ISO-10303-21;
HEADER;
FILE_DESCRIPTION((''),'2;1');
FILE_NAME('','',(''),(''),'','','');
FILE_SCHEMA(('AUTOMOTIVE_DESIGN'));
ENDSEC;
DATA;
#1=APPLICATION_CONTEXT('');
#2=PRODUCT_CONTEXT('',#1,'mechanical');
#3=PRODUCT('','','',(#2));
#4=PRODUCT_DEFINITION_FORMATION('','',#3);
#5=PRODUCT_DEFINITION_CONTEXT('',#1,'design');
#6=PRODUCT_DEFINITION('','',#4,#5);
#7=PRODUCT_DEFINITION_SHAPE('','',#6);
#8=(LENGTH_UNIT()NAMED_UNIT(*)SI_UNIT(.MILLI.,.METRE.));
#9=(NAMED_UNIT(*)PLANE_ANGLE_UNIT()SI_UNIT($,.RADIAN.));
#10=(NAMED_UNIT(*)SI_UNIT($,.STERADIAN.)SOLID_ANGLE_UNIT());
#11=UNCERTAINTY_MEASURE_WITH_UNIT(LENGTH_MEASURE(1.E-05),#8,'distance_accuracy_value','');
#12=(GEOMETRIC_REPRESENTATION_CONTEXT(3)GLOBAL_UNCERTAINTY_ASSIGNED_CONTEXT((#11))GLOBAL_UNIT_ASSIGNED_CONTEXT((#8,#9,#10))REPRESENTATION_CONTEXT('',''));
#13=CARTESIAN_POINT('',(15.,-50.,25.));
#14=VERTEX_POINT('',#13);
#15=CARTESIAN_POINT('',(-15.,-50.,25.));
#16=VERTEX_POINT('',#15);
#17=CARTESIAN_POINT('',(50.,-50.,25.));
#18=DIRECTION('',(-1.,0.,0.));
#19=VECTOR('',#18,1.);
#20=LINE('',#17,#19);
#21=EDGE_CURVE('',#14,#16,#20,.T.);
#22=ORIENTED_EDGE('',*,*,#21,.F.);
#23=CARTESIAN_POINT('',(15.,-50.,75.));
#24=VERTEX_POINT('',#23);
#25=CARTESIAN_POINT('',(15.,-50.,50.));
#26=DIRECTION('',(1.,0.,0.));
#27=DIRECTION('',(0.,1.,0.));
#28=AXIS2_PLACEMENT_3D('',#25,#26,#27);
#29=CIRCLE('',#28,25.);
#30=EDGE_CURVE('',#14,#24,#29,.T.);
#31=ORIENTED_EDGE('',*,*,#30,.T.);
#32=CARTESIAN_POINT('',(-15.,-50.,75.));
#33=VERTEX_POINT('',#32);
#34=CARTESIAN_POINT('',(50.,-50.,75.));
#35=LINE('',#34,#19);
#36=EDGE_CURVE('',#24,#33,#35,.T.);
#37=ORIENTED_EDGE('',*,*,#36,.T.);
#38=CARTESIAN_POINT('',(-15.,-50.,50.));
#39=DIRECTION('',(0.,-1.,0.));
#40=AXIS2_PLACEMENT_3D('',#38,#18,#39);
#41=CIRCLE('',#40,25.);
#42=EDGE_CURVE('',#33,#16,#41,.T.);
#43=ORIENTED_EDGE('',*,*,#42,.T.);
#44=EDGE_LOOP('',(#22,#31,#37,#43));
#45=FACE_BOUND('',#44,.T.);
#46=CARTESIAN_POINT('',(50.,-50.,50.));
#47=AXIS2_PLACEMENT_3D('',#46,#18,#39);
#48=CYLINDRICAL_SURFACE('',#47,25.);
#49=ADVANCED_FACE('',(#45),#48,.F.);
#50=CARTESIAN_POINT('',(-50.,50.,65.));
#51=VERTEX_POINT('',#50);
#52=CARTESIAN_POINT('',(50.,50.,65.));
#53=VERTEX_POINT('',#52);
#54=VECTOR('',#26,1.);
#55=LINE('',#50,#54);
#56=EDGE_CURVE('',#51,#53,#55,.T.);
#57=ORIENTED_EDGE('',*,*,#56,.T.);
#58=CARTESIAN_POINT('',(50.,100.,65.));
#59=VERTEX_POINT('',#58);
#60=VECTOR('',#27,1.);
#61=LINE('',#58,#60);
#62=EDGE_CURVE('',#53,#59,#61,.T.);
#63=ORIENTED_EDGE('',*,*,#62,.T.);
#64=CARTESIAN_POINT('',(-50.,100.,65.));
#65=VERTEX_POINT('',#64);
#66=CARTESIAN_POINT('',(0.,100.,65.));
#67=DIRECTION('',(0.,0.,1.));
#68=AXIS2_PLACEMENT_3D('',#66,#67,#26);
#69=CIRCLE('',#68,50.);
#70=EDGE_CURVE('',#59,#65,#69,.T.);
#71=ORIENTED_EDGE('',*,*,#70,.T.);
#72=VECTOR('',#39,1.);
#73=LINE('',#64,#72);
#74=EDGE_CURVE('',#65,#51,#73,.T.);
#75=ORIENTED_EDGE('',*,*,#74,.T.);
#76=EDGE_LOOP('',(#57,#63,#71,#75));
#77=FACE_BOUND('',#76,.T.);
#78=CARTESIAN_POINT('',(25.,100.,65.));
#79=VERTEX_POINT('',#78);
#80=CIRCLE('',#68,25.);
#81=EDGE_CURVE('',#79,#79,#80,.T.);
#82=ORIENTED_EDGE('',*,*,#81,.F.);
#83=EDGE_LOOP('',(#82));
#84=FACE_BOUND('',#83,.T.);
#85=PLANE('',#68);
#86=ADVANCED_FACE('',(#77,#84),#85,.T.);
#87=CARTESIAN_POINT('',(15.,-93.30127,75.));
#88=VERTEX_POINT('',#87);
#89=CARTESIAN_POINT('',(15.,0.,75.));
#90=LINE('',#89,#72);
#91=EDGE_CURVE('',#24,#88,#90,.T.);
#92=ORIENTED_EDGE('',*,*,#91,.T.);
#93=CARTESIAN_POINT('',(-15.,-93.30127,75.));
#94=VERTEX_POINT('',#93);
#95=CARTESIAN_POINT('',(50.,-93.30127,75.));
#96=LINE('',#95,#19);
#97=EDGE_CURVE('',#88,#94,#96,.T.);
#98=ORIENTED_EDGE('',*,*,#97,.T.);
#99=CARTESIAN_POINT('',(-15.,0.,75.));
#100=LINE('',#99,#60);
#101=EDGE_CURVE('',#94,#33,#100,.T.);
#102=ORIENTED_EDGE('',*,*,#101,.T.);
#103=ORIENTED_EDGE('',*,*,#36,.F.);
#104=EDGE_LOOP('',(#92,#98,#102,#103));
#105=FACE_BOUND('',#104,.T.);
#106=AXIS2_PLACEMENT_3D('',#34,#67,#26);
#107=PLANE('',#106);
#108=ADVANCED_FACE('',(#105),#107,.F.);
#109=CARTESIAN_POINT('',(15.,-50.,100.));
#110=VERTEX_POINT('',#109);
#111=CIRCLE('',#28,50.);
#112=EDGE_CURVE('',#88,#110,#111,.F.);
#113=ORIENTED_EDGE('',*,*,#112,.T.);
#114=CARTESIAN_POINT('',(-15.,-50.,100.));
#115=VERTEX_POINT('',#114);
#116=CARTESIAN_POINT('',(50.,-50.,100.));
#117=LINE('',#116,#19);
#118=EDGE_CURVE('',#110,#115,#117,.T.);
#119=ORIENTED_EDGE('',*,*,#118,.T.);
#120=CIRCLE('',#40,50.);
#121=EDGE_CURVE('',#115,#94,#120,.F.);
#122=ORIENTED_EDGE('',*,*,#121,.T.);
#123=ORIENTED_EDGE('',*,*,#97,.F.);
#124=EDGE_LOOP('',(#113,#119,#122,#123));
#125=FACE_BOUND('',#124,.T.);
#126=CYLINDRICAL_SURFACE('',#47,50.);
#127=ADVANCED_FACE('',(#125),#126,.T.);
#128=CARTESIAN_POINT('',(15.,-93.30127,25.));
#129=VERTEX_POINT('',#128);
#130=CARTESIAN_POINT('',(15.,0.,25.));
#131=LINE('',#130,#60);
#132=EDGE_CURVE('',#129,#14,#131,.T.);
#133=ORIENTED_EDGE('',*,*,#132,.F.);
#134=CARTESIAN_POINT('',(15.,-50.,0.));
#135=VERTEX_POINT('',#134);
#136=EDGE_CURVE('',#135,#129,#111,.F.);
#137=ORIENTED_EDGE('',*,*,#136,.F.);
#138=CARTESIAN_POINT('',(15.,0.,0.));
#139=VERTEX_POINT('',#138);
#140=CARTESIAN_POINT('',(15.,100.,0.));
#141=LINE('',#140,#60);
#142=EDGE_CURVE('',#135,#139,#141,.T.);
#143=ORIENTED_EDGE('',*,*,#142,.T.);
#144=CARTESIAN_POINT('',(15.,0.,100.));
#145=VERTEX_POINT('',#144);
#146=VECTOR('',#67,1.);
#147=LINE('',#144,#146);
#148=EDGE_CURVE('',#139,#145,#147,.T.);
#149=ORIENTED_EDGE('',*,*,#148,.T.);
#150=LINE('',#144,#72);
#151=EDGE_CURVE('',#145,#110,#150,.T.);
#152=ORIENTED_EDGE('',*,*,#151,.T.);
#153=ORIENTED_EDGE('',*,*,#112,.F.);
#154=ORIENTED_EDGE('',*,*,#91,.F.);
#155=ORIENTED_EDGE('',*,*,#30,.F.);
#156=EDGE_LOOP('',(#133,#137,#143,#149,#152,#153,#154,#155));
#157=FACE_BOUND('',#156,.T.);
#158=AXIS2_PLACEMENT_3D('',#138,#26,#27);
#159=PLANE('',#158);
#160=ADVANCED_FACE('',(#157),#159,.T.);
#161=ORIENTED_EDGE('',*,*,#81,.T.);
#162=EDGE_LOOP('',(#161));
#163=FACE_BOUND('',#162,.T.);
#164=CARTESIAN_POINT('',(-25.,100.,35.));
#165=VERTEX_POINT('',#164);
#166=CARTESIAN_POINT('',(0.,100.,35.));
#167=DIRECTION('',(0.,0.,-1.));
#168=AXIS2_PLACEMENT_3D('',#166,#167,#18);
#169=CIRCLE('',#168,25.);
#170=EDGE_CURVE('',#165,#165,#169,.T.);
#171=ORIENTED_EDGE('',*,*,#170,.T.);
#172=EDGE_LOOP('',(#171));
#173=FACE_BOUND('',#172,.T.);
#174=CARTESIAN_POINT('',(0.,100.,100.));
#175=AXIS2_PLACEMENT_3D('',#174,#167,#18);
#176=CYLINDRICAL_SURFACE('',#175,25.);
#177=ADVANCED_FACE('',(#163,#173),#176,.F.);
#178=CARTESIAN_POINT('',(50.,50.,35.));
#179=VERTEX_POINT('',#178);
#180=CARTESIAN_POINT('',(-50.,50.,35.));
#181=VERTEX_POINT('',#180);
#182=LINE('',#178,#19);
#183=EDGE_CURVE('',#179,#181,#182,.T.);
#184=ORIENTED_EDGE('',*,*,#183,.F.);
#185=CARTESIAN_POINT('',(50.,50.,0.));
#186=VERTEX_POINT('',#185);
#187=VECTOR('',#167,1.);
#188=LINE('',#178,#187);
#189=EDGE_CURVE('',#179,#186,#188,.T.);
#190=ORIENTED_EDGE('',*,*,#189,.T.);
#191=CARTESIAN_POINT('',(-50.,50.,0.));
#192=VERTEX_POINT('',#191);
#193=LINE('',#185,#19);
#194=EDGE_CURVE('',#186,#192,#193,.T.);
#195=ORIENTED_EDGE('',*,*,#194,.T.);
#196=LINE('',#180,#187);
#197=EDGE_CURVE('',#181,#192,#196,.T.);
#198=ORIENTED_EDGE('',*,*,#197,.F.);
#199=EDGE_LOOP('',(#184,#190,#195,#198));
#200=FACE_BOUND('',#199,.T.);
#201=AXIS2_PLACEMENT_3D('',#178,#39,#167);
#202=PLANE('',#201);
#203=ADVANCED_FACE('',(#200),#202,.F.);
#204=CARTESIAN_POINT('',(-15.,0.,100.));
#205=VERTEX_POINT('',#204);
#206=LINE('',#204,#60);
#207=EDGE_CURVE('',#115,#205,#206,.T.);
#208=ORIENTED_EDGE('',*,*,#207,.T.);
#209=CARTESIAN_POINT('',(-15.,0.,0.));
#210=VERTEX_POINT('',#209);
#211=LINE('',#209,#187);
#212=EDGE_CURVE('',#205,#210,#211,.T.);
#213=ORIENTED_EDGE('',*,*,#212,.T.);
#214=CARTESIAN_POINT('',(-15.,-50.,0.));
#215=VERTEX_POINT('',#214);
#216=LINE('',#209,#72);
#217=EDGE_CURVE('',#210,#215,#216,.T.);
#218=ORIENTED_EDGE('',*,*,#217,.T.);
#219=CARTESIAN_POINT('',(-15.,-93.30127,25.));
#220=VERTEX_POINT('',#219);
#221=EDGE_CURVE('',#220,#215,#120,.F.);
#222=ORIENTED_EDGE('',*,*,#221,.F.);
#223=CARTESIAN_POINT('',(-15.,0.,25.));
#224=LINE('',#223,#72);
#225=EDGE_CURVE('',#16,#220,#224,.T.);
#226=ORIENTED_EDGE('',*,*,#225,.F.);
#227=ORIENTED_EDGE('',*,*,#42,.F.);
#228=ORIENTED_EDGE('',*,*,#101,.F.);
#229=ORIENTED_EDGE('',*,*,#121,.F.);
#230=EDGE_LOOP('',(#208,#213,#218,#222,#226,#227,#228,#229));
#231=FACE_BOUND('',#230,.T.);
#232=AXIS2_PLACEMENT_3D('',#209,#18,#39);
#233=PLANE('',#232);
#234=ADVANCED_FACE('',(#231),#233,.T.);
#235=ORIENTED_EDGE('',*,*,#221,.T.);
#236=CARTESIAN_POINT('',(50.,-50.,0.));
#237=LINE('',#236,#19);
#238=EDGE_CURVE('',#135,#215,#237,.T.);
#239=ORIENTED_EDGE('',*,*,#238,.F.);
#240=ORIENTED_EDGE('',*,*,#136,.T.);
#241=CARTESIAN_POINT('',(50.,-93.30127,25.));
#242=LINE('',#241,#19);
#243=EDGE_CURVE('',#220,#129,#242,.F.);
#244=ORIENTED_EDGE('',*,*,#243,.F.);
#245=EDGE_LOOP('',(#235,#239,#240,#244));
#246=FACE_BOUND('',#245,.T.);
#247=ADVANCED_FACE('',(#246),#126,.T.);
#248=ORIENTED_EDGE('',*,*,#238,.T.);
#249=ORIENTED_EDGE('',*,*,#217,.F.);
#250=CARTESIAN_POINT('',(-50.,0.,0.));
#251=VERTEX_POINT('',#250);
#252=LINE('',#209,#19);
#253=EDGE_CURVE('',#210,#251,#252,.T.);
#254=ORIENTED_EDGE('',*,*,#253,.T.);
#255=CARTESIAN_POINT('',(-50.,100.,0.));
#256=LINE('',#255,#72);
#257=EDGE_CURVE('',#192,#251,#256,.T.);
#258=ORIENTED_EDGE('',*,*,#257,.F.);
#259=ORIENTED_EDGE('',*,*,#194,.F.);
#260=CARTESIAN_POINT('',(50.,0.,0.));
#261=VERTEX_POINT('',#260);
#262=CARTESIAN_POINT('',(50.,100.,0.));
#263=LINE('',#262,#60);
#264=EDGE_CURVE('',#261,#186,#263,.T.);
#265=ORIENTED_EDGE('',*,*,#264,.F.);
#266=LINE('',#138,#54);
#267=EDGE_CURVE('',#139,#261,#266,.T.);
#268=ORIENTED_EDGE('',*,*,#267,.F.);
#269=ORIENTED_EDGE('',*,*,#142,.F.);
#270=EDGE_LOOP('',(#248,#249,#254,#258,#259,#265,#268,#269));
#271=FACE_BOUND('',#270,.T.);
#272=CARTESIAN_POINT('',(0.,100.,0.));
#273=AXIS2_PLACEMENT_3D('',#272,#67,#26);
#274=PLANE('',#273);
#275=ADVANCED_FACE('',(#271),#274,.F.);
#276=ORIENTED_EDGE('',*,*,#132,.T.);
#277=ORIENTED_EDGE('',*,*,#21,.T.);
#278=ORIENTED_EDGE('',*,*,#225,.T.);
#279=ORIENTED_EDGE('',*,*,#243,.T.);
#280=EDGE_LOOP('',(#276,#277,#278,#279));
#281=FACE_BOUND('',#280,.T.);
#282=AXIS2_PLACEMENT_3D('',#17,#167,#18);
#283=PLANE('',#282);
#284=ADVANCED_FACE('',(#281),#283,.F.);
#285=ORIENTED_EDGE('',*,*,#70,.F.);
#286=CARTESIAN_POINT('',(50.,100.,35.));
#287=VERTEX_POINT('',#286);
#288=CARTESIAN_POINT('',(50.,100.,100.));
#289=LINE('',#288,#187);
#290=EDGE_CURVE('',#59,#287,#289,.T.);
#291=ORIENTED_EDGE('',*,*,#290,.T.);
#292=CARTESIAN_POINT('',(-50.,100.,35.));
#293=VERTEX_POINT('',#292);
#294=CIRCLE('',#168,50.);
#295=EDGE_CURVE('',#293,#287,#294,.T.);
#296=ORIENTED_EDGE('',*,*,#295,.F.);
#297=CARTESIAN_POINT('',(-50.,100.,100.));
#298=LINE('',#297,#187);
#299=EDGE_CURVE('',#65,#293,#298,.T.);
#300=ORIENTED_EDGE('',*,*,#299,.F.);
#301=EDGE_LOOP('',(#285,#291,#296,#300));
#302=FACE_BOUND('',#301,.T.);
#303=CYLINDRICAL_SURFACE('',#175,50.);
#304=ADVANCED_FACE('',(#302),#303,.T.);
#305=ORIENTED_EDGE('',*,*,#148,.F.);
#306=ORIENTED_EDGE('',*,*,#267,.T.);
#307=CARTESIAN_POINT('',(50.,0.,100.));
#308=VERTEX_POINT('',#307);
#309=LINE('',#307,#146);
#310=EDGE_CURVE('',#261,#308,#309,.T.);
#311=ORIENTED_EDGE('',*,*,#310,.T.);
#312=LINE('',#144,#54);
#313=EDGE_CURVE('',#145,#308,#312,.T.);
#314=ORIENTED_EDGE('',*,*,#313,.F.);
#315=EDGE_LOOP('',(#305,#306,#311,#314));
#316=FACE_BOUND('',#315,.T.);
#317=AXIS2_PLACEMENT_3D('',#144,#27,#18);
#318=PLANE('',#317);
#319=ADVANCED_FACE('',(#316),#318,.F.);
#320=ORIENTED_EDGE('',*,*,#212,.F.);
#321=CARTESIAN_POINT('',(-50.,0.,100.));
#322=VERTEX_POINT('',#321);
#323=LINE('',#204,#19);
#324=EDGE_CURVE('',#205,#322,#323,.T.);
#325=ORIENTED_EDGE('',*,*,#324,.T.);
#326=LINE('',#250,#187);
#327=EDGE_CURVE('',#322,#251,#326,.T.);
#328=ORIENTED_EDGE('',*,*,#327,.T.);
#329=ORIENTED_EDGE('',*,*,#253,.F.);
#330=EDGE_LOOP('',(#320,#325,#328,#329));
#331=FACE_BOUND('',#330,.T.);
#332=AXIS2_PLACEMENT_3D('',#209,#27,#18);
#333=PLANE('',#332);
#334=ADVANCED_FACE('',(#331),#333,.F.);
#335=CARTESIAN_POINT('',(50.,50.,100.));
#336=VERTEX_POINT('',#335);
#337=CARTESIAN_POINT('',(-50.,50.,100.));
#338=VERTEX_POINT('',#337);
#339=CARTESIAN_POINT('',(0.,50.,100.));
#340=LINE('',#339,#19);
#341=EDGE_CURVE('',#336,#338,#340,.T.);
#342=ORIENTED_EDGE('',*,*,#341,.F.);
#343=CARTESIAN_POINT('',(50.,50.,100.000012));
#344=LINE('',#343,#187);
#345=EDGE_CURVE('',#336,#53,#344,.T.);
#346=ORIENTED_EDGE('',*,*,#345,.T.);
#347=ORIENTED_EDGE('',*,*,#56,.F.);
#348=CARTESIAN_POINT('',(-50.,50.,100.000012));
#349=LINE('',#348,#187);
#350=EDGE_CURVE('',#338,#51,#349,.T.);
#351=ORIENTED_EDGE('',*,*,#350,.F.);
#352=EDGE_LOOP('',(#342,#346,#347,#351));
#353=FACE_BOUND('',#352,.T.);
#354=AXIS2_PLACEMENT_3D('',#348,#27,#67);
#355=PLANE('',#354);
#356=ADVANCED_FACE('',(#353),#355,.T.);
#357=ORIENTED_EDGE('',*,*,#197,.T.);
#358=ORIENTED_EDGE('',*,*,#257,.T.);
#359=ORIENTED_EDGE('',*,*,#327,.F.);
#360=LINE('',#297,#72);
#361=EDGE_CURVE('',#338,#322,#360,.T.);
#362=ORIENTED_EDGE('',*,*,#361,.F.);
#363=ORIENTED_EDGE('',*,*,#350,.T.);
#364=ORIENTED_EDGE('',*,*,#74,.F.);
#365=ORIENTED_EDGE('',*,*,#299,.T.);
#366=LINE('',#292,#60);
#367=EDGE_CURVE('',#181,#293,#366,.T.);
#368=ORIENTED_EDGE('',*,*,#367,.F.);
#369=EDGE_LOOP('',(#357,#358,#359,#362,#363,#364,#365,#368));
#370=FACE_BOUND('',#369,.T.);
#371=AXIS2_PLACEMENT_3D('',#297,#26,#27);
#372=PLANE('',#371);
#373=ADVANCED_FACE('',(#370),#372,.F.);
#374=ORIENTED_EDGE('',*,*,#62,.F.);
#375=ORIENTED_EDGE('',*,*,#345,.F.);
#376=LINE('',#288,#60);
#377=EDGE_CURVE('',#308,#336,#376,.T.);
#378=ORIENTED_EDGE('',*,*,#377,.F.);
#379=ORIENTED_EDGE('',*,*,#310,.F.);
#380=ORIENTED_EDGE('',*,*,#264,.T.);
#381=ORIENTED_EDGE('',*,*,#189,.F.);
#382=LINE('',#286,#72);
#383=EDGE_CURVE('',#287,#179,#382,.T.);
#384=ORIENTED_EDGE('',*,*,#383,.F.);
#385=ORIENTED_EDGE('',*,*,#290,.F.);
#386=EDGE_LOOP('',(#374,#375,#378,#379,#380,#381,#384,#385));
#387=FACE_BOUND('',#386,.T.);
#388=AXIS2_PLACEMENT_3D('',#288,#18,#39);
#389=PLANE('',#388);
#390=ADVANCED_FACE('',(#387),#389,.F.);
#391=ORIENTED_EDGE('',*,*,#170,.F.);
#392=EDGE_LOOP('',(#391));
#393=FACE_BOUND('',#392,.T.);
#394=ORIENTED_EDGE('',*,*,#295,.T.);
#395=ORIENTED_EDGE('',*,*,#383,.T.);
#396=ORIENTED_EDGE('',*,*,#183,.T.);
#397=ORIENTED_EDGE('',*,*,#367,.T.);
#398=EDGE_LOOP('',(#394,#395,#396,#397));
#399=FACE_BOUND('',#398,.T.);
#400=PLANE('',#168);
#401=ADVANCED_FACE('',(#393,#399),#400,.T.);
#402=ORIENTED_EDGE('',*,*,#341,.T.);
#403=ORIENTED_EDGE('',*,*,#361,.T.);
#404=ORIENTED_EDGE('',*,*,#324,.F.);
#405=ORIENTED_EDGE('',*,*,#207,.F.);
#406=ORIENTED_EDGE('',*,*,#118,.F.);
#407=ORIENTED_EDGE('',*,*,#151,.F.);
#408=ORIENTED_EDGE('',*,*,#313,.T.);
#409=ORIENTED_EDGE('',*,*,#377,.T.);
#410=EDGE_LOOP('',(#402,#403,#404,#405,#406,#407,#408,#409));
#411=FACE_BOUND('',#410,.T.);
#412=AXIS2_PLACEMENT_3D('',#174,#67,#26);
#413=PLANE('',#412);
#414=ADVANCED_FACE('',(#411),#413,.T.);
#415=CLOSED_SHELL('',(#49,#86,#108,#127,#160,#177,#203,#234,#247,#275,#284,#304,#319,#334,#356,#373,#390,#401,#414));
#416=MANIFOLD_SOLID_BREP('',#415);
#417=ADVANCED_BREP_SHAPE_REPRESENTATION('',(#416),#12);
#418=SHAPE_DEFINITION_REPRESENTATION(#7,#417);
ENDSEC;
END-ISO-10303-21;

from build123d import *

# Parameters (mm, degrees)
SALIENTE_EXTRUIR1_DEPTH     = 100
CORTAR_EXTRUIR4_DEPTH       = 1
CORTAR_EXTRUIR4_DEPTH_BACK  = 35
CORTAR_EXTRUIR5_DEPTH       = 35
CROQUIS10_R                 = 25
CORTAR_EXTRUIR6_DEPTH       = 36
CORTAR_EXTRUIR6_DEPTH_BACK  = 66
CROQUIS12_W                 = 100
CROQUIS12_H                 = 100
CORTAR_EXTRUIR10_DEPTH      = 1
CORTAR_EXTRUIR10_DEPTH_BACK = 101
SALIENTE_EXTRUIR3_DEPTH     = 100
CROQUIS22_W                 = 100
CROQUIS22_H                 = 100
CORTAR_EXTRUIR12_DEPTH      = 35
CROQUIS23_W                 = 100
CROQUIS23_H                 = 100
CORTAR_EXTRUIR13_DEPTH      = 35
CORTAR_EXTRUIR14_DEPTH      = 36
CORTAR_EXTRUIR14_DEPTH_BACK = 66


with BuildPart() as part:
    # Croquis3 → Saliente-Extruir1 (new body)
    with BuildSketch(Plane.XY):
        with BuildLine():
            Line((-50, 100), (-50, -100))
            Line((-50, -100), (50, -100))
            Line((50, -100), (50, 100))
            ThreePointArc((50, 100), (0, 150), (-50, 100))
        make_face()
    extrude(amount=SALIENTE_EXTRUIR1_DEPTH)

    # Croquis8 → Cortar-Extruir4 (cut, two sides)
    with BuildSketch(Plane.XY.offset(100)) as cortar_extruir4_sk:
        with BuildLine():
            Line((-50, 100), (-50, 50))
            Line((-50, 50), (50, 50))
            Line((50, 50), (50, 100))
            ThreePointArc((50, 100), (0, 150), (-50, 100))
        make_face()
    extrude(amount=CORTAR_EXTRUIR4_DEPTH, mode=Mode.SUBTRACT)
    extrude(cortar_extruir4_sk.sketch, amount=-CORTAR_EXTRUIR4_DEPTH_BACK, mode=Mode.SUBTRACT)

    # Croquis9 → Cortar-Extruir5 (cut)
    with BuildSketch(Plane(origin=(0, 0, 0), x_dir=(-1, 0, 0), z_dir=(0, 0, -1))):
        with BuildLine():
            Line((-50, 100), (-50, 50))
            Line((-50, 50), (50, 50))
            Line((50, 50), (50, 100))
            ThreePointArc((50, 100), (0, 150), (-50, 100))
        make_face()
    extrude(amount=-CORTAR_EXTRUIR5_DEPTH, mode=Mode.SUBTRACT)

    # Croquis10 → Cortar-Extruir6 (cut, two sides)
    with BuildSketch(Plane(origin=(0, 0, 35), x_dir=(-1, 0, 0), z_dir=(0, 0, -1))) as cortar_extruir6_sk:
        with Locations((0, 100)):
            Circle(CROQUIS10_R)
    extrude(amount=CORTAR_EXTRUIR6_DEPTH, mode=Mode.SUBTRACT)
    extrude(cortar_extruir6_sk.sketch, amount=-CORTAR_EXTRUIR6_DEPTH_BACK, mode=Mode.SUBTRACT)

    # Croquis12 → Cortar-Extruir10 (cut, two sides)
    with BuildSketch(Plane.ZY.offset(50)) as cortar_extruir10_sk:
        with Locations((50, -50)):
            Rectangle(CROQUIS12_W, CROQUIS12_H)
    extrude(amount=CORTAR_EXTRUIR10_DEPTH, mode=Mode.SUBTRACT)
    extrude(cortar_extruir10_sk.sketch, amount=-CORTAR_EXTRUIR10_DEPTH_BACK, mode=Mode.SUBTRACT)

    # Croquis17 → Saliente-Extruir3 (add)
    with BuildSketch(Plane.ZY.offset(50)):
        with BuildLine():
            Line((0, 0), (100, 0))
            Line((100, 0), (100, -50))
            ThreePointArc((100, -50), (50, -100), (0, -50))
            Line((0, -50), (0, 0))
        make_face()
    extrude(amount=-SALIENTE_EXTRUIR3_DEPTH)

    # Croquis22 → Cortar-Extruir12 (cut)
    with BuildSketch(Plane.ZY.offset(50)):
        with Locations((50, -50)):
            Rectangle(CROQUIS22_W, CROQUIS22_H)
    extrude(amount=-CORTAR_EXTRUIR12_DEPTH, mode=Mode.SUBTRACT)

    # Croquis23 → Cortar-Extruir13 (cut)
    with BuildSketch(Plane(origin=(50, 0, 0), x_dir=(0, 0, -1), z_dir=(1, 0, 0))):
        with Locations((-50, -50)):
            Rectangle(CROQUIS23_W, CROQUIS23_H)
    extrude(amount=-CORTAR_EXTRUIR13_DEPTH, mode=Mode.SUBTRACT)

    # Croquis24 → Cortar-Extruir14 (cut, two sides)
    with BuildSketch(Plane.ZY.offset(15)) as cortar_extruir14_sk:
        with BuildLine():
            Line((25, -50), (25, -110.42880279))
            Line((25, -110.42880279), (75, -110.42880279))
            Line((75, -110.42880279), (75, -50))
            ThreePointArc((75, -50), (50, -25), (25, -50))
        make_face()
    extrude(amount=CORTAR_EXTRUIR14_DEPTH, mode=Mode.SUBTRACT)
    extrude(cortar_extruir14_sk.sketch, amount=-CORTAR_EXTRUIR14_DEPTH_BACK, mode=Mode.SUBTRACT)


solid = part.part
